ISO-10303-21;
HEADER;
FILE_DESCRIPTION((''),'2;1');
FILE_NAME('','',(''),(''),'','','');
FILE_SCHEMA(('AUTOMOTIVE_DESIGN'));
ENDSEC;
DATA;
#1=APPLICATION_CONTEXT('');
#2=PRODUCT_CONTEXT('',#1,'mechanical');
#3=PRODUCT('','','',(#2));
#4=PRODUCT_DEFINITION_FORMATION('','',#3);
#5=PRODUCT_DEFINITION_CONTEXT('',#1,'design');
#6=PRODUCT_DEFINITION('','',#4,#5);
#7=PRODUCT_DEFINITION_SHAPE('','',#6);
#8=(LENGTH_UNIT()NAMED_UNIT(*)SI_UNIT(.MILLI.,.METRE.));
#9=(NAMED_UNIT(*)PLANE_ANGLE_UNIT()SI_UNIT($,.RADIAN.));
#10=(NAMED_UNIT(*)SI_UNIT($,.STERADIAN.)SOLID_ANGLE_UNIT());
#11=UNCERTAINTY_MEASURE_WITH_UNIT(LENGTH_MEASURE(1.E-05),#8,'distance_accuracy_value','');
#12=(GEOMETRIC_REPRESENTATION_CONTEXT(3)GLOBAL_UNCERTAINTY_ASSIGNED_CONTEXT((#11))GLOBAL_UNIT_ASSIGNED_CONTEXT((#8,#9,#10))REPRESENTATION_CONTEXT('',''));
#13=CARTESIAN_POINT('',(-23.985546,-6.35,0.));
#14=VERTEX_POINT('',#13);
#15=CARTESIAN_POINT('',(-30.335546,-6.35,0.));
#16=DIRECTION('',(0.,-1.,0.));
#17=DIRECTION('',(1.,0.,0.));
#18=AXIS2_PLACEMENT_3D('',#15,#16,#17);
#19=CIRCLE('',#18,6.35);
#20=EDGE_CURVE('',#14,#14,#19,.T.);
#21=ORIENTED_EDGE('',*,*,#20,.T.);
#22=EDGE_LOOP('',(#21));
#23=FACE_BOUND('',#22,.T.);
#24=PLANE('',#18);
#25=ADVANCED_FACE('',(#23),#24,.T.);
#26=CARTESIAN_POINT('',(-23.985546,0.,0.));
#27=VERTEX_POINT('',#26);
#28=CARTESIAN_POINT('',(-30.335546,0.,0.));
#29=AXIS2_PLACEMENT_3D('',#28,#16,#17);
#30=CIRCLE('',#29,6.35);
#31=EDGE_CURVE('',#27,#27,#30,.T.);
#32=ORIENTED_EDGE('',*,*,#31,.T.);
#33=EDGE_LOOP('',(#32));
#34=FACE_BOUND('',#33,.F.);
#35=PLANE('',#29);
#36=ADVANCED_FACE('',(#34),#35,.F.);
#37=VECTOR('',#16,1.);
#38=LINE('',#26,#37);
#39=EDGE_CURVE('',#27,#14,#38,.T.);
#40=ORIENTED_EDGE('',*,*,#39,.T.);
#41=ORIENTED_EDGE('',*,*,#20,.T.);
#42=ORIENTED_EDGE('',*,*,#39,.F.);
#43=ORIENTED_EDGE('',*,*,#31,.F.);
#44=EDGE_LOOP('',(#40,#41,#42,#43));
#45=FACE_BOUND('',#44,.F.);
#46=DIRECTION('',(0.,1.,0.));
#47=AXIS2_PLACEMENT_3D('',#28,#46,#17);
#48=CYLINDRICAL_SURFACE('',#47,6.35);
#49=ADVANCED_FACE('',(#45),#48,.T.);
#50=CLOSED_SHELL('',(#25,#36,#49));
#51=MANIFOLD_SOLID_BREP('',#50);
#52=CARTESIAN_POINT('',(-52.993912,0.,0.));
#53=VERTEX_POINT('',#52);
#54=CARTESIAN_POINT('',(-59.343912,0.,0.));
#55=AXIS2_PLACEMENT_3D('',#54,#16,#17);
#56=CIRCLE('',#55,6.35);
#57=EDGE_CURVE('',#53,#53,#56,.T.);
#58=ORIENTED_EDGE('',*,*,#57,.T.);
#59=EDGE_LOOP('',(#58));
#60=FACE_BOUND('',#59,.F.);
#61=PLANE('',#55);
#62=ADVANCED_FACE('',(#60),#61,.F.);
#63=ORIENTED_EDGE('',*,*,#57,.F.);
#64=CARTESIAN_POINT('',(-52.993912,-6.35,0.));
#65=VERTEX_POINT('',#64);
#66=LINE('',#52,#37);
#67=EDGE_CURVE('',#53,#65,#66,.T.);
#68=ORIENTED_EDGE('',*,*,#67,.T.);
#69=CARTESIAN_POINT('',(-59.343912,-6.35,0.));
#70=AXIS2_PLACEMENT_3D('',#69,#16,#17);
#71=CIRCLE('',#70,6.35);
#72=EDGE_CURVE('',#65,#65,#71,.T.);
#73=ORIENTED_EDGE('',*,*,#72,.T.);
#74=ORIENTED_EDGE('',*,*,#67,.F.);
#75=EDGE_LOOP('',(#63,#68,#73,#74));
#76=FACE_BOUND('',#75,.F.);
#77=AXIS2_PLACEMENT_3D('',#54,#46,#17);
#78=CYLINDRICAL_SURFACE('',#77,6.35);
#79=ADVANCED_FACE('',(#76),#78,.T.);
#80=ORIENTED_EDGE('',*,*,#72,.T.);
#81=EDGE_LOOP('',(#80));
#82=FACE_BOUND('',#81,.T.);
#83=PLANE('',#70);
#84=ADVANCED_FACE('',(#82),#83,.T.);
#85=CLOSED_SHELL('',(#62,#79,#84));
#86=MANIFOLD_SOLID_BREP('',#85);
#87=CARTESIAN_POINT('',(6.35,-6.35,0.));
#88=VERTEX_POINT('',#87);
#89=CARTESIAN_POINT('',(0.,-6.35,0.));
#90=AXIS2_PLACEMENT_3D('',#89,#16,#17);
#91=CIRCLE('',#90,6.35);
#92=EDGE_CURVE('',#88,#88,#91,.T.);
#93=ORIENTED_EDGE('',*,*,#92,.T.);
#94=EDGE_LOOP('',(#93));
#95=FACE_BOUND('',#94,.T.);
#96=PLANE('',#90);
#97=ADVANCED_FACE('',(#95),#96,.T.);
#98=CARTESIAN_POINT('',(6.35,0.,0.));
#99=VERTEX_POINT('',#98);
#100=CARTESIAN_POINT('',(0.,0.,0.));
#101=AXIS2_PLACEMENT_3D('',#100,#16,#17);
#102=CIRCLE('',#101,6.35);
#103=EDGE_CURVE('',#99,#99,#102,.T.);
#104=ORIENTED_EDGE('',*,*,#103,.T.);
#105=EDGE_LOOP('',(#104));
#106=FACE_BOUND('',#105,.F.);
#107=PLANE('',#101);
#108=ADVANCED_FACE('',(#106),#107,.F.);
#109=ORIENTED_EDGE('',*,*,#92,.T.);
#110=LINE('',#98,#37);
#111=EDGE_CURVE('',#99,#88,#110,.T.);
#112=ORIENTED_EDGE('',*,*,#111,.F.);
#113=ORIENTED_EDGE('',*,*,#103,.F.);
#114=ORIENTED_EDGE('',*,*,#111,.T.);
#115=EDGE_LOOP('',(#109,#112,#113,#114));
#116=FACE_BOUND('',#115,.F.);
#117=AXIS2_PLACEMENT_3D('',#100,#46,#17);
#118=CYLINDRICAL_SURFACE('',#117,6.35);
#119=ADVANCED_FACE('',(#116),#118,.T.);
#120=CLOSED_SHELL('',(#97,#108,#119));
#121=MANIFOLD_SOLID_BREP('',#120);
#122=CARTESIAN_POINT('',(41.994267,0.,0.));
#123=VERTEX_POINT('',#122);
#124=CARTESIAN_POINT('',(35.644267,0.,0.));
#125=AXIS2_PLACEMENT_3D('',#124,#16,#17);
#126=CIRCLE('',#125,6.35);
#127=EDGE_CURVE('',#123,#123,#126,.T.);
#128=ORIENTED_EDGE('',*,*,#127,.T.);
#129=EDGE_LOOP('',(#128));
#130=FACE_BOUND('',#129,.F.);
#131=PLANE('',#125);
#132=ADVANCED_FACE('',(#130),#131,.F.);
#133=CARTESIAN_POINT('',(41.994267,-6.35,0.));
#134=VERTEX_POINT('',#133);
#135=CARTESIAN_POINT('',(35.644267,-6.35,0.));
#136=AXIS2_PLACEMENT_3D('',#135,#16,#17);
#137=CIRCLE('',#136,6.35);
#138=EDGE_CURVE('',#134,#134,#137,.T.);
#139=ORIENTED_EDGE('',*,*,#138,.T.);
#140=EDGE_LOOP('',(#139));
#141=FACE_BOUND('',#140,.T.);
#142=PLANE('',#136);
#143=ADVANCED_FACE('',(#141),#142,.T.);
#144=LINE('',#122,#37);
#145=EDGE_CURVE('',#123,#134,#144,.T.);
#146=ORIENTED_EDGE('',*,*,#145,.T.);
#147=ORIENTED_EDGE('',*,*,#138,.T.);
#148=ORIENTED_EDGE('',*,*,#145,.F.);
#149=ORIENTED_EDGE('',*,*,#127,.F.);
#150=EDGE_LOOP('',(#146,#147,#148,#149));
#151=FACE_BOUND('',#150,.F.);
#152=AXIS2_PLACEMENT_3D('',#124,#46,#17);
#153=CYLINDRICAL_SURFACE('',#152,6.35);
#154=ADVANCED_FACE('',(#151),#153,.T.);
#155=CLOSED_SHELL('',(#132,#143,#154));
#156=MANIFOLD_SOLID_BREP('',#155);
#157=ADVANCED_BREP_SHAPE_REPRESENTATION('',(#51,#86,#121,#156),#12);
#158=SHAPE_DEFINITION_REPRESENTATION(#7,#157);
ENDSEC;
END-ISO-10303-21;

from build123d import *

# Parameters (mm, degrees)
F0_R     = 6.35
F1_DEPTH = 6.35


with BuildPart() as f1:
    # F0 (on Front) → F1 (new body)
    with BuildSketch(Plane.XZ):
        Circle(F0_R)
        with Locations((35.644267, 0)):
            Circle(F0_R)
        with Locations((-30.335546, 0)):
            Circle(F0_R)
        with Locations((-59.343912, 0)):
            Circle(F0_R)
    extrude(amount=F1_DEPTH)


solid = f1.part
